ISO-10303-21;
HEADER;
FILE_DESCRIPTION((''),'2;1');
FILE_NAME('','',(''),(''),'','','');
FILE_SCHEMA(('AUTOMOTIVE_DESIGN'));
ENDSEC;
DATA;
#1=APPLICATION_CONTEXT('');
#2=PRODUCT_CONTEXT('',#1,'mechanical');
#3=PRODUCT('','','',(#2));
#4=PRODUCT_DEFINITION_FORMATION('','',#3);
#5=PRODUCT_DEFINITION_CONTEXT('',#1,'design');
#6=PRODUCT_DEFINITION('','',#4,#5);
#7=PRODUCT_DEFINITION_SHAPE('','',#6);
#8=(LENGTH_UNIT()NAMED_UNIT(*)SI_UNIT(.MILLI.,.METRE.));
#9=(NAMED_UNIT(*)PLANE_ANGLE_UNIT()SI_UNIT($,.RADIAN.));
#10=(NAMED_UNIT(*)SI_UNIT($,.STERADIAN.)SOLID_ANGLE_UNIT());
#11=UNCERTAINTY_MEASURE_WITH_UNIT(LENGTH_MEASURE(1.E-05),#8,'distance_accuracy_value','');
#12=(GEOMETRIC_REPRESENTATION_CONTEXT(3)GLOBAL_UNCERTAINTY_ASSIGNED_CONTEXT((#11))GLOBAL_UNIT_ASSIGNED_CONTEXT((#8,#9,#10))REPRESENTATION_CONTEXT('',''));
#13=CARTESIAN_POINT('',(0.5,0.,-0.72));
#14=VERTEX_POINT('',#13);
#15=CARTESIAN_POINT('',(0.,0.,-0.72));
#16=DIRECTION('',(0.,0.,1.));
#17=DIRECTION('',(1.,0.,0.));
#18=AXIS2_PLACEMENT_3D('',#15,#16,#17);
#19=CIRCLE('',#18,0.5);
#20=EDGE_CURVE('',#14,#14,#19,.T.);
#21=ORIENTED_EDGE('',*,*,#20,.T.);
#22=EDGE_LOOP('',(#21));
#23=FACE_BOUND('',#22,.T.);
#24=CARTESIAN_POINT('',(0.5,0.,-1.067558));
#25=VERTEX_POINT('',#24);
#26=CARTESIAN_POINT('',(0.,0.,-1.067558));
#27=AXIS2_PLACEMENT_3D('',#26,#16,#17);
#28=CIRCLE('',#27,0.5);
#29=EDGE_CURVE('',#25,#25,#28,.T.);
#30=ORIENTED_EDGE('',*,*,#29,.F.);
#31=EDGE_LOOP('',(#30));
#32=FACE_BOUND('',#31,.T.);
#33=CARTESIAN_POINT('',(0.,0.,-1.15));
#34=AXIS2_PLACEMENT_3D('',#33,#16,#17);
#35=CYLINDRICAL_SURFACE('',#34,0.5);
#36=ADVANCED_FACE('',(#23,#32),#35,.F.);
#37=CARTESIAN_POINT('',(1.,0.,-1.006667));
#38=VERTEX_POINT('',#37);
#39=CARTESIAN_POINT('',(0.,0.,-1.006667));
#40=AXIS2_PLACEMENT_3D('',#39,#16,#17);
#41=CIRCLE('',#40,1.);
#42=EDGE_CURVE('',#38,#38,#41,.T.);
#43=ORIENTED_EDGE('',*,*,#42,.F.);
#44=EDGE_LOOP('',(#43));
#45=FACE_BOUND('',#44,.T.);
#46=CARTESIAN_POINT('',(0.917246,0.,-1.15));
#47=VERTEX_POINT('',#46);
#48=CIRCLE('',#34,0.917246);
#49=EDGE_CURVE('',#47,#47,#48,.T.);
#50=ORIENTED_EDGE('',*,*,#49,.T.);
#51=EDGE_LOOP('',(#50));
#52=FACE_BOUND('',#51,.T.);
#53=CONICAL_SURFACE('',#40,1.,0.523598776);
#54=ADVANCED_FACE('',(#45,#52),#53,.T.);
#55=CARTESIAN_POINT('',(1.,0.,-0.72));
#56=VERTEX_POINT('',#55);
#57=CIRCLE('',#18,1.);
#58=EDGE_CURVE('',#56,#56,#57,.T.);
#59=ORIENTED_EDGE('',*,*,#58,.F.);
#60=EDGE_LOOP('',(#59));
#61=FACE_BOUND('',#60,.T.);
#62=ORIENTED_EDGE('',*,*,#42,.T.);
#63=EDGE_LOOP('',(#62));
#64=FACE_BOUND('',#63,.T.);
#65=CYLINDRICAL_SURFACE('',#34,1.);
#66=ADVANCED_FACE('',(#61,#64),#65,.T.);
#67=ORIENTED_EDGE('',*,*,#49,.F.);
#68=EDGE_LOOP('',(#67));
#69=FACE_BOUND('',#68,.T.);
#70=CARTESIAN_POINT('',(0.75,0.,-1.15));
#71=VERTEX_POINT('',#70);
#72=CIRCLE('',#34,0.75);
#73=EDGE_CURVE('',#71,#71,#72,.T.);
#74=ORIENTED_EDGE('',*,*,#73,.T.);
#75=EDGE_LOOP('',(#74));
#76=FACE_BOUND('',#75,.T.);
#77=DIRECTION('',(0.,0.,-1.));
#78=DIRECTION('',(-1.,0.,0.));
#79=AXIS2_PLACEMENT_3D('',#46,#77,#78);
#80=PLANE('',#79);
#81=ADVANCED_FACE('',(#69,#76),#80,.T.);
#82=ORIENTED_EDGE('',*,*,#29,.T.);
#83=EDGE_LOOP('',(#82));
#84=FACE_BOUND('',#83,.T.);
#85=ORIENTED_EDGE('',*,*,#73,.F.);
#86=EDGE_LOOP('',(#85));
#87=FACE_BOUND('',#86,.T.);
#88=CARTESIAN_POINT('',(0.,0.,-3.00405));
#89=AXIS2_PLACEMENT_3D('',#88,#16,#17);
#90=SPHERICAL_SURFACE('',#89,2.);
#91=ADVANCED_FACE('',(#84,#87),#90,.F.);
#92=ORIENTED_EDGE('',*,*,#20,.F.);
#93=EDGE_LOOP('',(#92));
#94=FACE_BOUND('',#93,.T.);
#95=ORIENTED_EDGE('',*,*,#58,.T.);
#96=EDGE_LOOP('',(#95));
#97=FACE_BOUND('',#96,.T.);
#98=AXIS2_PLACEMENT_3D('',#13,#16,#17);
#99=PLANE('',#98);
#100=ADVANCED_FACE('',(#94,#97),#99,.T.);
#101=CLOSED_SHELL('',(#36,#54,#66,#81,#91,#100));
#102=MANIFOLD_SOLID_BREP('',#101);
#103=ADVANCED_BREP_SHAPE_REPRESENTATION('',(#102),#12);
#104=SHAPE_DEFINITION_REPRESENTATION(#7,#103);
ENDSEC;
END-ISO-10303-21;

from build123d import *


with BuildPart() as part:
    # Sketch1 → Revolve1 (revolve)
    with BuildSketch(Plane(origin=(0, 0, 0), x_dir=(1, 0, 0), z_dir=(0, 1, 0))):
        with BuildLine():
            Line((0.917246461, 1.15), (0.75, 1.15))
            ThreePointArc((0.75, 1.15), (0.626357863, 1.104661345), (0.5, 1.067557949))
            Line((0.5, 1.067557949), (0.5, 0.72))
            Line((0.5, 0.72), (1, 0.72))
            Line((1, 0.72), (1, 1.006666667))
            Line((1, 1.006666667), (0.917246461, 1.15))
        make_face()
    revolve(axis=Axis((0, 0, -1.15), (0, 0, 1)))


solid = part.part
